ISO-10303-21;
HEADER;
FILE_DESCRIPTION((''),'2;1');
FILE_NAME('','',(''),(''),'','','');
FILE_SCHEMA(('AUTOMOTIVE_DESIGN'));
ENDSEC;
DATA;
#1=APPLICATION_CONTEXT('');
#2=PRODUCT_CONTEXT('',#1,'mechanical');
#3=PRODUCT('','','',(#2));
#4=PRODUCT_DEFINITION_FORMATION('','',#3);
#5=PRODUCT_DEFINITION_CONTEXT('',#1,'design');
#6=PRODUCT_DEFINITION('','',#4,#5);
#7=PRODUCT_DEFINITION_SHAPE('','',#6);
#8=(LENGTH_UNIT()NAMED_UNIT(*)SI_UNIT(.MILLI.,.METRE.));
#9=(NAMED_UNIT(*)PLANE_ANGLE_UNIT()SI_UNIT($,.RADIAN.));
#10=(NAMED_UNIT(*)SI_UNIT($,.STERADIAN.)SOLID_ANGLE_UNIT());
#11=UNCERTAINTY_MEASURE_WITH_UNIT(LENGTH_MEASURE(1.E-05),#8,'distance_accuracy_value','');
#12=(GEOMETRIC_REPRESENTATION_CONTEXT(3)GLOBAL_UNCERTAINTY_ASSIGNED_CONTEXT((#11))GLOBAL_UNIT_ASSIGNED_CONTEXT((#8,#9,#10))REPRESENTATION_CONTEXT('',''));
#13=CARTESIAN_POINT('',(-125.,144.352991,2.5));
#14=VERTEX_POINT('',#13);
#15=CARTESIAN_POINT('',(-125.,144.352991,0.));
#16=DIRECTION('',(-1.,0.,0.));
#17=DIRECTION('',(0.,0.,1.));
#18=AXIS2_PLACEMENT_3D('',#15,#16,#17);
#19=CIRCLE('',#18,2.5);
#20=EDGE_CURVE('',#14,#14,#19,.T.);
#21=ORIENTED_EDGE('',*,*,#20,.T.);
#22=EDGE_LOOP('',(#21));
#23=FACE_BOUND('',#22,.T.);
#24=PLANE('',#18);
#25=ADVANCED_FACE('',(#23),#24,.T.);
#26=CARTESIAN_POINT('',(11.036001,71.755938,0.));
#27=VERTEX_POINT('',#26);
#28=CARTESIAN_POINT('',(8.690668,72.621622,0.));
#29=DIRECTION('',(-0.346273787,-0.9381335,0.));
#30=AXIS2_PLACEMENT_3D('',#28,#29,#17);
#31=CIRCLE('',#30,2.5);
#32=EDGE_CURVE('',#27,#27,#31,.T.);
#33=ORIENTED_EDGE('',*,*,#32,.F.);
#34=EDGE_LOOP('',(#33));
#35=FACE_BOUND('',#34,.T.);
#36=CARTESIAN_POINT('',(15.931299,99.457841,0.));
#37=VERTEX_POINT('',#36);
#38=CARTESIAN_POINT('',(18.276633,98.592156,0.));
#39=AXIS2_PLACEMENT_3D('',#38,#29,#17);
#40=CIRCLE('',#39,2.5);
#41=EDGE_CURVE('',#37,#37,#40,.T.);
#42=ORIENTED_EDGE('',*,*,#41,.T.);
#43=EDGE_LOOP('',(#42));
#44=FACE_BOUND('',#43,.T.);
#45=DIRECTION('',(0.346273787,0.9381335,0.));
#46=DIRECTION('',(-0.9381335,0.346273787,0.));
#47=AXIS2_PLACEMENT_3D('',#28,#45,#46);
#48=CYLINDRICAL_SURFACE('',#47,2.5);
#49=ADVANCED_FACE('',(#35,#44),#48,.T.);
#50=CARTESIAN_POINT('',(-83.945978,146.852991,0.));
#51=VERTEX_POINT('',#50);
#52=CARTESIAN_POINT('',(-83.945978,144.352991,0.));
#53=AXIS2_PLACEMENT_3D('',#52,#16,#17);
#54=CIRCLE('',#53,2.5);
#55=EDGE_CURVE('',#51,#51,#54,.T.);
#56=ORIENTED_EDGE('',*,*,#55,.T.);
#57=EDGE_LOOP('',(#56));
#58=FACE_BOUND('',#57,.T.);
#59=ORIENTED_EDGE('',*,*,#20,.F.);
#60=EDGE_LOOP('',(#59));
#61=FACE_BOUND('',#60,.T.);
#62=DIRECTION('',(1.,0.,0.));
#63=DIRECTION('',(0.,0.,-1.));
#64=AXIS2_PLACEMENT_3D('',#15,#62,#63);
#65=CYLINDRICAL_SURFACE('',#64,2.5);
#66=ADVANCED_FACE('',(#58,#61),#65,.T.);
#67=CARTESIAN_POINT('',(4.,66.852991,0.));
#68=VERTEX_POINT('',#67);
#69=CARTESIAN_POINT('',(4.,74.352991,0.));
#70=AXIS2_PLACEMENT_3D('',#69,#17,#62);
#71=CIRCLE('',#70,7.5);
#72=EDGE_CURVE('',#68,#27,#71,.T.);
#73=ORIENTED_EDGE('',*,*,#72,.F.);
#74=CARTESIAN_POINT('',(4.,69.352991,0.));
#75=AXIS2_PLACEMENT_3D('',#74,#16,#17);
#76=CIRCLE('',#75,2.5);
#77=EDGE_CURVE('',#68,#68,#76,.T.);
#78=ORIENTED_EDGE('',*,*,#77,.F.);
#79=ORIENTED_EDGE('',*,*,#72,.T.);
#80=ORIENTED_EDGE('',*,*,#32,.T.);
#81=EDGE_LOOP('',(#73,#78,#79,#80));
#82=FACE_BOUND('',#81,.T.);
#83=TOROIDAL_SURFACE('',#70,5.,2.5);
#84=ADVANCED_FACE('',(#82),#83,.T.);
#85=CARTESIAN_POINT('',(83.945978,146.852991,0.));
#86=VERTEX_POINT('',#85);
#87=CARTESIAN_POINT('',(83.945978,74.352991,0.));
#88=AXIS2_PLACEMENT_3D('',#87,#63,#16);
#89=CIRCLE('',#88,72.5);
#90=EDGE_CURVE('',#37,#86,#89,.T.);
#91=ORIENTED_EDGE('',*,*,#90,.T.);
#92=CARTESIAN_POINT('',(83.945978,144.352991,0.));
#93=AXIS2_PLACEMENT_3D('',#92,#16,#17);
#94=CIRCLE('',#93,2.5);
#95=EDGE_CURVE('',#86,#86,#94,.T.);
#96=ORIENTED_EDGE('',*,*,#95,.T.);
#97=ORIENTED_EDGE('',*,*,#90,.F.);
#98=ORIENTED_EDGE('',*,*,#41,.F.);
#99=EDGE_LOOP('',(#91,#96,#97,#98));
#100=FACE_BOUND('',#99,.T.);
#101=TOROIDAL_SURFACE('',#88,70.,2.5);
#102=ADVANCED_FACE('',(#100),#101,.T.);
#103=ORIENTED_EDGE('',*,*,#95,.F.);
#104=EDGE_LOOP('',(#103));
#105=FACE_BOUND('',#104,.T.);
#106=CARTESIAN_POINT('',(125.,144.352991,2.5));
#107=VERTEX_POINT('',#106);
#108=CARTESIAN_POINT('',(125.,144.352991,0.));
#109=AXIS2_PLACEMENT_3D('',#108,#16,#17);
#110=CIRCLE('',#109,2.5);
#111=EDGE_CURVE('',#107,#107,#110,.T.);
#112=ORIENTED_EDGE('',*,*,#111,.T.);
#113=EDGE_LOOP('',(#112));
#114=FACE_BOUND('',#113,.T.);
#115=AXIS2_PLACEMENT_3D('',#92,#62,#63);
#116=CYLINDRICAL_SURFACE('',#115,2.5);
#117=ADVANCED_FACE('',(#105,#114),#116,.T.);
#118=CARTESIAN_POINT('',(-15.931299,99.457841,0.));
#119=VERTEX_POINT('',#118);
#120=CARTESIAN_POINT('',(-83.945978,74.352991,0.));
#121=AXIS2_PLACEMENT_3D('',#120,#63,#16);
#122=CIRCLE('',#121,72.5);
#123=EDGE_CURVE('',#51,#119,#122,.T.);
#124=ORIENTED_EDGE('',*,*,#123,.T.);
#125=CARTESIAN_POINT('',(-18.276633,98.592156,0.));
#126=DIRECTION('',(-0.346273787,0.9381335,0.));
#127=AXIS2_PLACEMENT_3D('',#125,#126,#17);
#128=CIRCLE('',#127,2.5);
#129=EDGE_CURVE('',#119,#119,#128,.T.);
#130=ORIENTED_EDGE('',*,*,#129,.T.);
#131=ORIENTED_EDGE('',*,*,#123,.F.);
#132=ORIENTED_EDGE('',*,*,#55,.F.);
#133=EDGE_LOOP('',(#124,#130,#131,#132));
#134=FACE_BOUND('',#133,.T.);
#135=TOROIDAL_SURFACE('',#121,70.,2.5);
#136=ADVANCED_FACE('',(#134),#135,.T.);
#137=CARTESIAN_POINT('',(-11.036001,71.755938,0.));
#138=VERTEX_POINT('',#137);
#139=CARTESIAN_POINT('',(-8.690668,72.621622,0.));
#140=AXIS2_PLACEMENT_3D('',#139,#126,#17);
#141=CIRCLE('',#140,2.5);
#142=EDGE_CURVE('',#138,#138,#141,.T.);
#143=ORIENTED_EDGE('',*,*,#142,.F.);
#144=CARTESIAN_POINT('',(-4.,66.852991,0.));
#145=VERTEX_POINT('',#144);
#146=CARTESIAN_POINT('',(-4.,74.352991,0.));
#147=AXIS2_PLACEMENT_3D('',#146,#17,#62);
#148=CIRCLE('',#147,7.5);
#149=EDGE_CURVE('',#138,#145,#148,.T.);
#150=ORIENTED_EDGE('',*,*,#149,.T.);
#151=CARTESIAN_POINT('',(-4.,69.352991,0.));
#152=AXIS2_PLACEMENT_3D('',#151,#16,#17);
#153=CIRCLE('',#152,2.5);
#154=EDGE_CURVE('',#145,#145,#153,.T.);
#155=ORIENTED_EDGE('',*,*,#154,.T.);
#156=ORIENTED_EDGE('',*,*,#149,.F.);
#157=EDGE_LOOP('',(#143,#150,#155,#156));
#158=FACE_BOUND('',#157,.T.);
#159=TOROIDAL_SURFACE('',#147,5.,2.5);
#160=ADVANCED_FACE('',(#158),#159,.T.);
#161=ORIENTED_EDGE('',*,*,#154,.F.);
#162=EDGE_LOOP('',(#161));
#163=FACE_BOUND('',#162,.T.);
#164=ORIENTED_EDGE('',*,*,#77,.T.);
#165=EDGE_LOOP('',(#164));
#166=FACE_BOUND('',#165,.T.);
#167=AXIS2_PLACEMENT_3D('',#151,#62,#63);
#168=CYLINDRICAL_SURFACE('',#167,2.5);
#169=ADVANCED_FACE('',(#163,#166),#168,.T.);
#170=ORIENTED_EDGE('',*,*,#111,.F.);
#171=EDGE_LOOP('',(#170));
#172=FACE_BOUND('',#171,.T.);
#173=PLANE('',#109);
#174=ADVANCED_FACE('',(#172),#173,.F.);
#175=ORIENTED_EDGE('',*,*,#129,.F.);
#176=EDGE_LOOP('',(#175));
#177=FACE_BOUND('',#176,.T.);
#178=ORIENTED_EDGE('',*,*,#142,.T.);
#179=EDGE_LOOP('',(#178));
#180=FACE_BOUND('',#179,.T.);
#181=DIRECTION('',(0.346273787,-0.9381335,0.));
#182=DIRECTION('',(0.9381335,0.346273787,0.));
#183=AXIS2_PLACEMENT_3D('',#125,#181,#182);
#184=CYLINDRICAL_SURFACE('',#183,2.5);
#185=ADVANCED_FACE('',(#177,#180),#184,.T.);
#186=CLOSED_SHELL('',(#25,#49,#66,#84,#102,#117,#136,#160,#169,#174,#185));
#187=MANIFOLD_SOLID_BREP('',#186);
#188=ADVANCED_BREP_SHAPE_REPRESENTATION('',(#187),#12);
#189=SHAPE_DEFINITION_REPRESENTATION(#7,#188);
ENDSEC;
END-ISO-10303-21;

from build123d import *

# Parameters (mm, degrees)
SWEEP1_PROFILE_R = 2.5


with BuildPart() as part:
    # Sweep1: sweep along a path in Sketch1
    with BuildLine(Plane.XY) as sweep1_path:
        Line((-125, 144.352990964), (-83.945977819, 144.352990964))
        ThreePointArc((-83.945977819, 144.352990964), (-43.925617736, 131.784435128), (-18.276632803, 98.592156073))
        Line((-18.276632803, 98.592156073), (-8.690667501, 72.621622027))
        ThreePointArc((-8.690667501, 72.621622027), (-6.858597149, 70.250744952), (-4, 69.352990964))
        Line((-4, 69.352990964), (4, 69.352990964))
        ThreePointArc((4, 69.352990964), (6.858597149, 70.250744952), (8.690667501, 72.621622027))
        Line((8.690667501, 72.621622027), (18.276632803, 98.592156073))
        ThreePointArc((18.276632803, 98.592156073), (43.925617736, 131.784435128), (83.945977819, 144.352990964))
        Line((83.945977819, 144.352990964), (125, 144.352990964))
    # Sweep1 profile (on start of the path) → Sweep1 (sweep)
    with BuildSketch(Plane(origin=(-125, 144.352990964, 0), x_dir=(0, 0, 1), z_dir=(1, 0, 0))):
        Circle(SWEEP1_PROFILE_R)
    sweep(path=sweep1_path.line)


solid = part.part
